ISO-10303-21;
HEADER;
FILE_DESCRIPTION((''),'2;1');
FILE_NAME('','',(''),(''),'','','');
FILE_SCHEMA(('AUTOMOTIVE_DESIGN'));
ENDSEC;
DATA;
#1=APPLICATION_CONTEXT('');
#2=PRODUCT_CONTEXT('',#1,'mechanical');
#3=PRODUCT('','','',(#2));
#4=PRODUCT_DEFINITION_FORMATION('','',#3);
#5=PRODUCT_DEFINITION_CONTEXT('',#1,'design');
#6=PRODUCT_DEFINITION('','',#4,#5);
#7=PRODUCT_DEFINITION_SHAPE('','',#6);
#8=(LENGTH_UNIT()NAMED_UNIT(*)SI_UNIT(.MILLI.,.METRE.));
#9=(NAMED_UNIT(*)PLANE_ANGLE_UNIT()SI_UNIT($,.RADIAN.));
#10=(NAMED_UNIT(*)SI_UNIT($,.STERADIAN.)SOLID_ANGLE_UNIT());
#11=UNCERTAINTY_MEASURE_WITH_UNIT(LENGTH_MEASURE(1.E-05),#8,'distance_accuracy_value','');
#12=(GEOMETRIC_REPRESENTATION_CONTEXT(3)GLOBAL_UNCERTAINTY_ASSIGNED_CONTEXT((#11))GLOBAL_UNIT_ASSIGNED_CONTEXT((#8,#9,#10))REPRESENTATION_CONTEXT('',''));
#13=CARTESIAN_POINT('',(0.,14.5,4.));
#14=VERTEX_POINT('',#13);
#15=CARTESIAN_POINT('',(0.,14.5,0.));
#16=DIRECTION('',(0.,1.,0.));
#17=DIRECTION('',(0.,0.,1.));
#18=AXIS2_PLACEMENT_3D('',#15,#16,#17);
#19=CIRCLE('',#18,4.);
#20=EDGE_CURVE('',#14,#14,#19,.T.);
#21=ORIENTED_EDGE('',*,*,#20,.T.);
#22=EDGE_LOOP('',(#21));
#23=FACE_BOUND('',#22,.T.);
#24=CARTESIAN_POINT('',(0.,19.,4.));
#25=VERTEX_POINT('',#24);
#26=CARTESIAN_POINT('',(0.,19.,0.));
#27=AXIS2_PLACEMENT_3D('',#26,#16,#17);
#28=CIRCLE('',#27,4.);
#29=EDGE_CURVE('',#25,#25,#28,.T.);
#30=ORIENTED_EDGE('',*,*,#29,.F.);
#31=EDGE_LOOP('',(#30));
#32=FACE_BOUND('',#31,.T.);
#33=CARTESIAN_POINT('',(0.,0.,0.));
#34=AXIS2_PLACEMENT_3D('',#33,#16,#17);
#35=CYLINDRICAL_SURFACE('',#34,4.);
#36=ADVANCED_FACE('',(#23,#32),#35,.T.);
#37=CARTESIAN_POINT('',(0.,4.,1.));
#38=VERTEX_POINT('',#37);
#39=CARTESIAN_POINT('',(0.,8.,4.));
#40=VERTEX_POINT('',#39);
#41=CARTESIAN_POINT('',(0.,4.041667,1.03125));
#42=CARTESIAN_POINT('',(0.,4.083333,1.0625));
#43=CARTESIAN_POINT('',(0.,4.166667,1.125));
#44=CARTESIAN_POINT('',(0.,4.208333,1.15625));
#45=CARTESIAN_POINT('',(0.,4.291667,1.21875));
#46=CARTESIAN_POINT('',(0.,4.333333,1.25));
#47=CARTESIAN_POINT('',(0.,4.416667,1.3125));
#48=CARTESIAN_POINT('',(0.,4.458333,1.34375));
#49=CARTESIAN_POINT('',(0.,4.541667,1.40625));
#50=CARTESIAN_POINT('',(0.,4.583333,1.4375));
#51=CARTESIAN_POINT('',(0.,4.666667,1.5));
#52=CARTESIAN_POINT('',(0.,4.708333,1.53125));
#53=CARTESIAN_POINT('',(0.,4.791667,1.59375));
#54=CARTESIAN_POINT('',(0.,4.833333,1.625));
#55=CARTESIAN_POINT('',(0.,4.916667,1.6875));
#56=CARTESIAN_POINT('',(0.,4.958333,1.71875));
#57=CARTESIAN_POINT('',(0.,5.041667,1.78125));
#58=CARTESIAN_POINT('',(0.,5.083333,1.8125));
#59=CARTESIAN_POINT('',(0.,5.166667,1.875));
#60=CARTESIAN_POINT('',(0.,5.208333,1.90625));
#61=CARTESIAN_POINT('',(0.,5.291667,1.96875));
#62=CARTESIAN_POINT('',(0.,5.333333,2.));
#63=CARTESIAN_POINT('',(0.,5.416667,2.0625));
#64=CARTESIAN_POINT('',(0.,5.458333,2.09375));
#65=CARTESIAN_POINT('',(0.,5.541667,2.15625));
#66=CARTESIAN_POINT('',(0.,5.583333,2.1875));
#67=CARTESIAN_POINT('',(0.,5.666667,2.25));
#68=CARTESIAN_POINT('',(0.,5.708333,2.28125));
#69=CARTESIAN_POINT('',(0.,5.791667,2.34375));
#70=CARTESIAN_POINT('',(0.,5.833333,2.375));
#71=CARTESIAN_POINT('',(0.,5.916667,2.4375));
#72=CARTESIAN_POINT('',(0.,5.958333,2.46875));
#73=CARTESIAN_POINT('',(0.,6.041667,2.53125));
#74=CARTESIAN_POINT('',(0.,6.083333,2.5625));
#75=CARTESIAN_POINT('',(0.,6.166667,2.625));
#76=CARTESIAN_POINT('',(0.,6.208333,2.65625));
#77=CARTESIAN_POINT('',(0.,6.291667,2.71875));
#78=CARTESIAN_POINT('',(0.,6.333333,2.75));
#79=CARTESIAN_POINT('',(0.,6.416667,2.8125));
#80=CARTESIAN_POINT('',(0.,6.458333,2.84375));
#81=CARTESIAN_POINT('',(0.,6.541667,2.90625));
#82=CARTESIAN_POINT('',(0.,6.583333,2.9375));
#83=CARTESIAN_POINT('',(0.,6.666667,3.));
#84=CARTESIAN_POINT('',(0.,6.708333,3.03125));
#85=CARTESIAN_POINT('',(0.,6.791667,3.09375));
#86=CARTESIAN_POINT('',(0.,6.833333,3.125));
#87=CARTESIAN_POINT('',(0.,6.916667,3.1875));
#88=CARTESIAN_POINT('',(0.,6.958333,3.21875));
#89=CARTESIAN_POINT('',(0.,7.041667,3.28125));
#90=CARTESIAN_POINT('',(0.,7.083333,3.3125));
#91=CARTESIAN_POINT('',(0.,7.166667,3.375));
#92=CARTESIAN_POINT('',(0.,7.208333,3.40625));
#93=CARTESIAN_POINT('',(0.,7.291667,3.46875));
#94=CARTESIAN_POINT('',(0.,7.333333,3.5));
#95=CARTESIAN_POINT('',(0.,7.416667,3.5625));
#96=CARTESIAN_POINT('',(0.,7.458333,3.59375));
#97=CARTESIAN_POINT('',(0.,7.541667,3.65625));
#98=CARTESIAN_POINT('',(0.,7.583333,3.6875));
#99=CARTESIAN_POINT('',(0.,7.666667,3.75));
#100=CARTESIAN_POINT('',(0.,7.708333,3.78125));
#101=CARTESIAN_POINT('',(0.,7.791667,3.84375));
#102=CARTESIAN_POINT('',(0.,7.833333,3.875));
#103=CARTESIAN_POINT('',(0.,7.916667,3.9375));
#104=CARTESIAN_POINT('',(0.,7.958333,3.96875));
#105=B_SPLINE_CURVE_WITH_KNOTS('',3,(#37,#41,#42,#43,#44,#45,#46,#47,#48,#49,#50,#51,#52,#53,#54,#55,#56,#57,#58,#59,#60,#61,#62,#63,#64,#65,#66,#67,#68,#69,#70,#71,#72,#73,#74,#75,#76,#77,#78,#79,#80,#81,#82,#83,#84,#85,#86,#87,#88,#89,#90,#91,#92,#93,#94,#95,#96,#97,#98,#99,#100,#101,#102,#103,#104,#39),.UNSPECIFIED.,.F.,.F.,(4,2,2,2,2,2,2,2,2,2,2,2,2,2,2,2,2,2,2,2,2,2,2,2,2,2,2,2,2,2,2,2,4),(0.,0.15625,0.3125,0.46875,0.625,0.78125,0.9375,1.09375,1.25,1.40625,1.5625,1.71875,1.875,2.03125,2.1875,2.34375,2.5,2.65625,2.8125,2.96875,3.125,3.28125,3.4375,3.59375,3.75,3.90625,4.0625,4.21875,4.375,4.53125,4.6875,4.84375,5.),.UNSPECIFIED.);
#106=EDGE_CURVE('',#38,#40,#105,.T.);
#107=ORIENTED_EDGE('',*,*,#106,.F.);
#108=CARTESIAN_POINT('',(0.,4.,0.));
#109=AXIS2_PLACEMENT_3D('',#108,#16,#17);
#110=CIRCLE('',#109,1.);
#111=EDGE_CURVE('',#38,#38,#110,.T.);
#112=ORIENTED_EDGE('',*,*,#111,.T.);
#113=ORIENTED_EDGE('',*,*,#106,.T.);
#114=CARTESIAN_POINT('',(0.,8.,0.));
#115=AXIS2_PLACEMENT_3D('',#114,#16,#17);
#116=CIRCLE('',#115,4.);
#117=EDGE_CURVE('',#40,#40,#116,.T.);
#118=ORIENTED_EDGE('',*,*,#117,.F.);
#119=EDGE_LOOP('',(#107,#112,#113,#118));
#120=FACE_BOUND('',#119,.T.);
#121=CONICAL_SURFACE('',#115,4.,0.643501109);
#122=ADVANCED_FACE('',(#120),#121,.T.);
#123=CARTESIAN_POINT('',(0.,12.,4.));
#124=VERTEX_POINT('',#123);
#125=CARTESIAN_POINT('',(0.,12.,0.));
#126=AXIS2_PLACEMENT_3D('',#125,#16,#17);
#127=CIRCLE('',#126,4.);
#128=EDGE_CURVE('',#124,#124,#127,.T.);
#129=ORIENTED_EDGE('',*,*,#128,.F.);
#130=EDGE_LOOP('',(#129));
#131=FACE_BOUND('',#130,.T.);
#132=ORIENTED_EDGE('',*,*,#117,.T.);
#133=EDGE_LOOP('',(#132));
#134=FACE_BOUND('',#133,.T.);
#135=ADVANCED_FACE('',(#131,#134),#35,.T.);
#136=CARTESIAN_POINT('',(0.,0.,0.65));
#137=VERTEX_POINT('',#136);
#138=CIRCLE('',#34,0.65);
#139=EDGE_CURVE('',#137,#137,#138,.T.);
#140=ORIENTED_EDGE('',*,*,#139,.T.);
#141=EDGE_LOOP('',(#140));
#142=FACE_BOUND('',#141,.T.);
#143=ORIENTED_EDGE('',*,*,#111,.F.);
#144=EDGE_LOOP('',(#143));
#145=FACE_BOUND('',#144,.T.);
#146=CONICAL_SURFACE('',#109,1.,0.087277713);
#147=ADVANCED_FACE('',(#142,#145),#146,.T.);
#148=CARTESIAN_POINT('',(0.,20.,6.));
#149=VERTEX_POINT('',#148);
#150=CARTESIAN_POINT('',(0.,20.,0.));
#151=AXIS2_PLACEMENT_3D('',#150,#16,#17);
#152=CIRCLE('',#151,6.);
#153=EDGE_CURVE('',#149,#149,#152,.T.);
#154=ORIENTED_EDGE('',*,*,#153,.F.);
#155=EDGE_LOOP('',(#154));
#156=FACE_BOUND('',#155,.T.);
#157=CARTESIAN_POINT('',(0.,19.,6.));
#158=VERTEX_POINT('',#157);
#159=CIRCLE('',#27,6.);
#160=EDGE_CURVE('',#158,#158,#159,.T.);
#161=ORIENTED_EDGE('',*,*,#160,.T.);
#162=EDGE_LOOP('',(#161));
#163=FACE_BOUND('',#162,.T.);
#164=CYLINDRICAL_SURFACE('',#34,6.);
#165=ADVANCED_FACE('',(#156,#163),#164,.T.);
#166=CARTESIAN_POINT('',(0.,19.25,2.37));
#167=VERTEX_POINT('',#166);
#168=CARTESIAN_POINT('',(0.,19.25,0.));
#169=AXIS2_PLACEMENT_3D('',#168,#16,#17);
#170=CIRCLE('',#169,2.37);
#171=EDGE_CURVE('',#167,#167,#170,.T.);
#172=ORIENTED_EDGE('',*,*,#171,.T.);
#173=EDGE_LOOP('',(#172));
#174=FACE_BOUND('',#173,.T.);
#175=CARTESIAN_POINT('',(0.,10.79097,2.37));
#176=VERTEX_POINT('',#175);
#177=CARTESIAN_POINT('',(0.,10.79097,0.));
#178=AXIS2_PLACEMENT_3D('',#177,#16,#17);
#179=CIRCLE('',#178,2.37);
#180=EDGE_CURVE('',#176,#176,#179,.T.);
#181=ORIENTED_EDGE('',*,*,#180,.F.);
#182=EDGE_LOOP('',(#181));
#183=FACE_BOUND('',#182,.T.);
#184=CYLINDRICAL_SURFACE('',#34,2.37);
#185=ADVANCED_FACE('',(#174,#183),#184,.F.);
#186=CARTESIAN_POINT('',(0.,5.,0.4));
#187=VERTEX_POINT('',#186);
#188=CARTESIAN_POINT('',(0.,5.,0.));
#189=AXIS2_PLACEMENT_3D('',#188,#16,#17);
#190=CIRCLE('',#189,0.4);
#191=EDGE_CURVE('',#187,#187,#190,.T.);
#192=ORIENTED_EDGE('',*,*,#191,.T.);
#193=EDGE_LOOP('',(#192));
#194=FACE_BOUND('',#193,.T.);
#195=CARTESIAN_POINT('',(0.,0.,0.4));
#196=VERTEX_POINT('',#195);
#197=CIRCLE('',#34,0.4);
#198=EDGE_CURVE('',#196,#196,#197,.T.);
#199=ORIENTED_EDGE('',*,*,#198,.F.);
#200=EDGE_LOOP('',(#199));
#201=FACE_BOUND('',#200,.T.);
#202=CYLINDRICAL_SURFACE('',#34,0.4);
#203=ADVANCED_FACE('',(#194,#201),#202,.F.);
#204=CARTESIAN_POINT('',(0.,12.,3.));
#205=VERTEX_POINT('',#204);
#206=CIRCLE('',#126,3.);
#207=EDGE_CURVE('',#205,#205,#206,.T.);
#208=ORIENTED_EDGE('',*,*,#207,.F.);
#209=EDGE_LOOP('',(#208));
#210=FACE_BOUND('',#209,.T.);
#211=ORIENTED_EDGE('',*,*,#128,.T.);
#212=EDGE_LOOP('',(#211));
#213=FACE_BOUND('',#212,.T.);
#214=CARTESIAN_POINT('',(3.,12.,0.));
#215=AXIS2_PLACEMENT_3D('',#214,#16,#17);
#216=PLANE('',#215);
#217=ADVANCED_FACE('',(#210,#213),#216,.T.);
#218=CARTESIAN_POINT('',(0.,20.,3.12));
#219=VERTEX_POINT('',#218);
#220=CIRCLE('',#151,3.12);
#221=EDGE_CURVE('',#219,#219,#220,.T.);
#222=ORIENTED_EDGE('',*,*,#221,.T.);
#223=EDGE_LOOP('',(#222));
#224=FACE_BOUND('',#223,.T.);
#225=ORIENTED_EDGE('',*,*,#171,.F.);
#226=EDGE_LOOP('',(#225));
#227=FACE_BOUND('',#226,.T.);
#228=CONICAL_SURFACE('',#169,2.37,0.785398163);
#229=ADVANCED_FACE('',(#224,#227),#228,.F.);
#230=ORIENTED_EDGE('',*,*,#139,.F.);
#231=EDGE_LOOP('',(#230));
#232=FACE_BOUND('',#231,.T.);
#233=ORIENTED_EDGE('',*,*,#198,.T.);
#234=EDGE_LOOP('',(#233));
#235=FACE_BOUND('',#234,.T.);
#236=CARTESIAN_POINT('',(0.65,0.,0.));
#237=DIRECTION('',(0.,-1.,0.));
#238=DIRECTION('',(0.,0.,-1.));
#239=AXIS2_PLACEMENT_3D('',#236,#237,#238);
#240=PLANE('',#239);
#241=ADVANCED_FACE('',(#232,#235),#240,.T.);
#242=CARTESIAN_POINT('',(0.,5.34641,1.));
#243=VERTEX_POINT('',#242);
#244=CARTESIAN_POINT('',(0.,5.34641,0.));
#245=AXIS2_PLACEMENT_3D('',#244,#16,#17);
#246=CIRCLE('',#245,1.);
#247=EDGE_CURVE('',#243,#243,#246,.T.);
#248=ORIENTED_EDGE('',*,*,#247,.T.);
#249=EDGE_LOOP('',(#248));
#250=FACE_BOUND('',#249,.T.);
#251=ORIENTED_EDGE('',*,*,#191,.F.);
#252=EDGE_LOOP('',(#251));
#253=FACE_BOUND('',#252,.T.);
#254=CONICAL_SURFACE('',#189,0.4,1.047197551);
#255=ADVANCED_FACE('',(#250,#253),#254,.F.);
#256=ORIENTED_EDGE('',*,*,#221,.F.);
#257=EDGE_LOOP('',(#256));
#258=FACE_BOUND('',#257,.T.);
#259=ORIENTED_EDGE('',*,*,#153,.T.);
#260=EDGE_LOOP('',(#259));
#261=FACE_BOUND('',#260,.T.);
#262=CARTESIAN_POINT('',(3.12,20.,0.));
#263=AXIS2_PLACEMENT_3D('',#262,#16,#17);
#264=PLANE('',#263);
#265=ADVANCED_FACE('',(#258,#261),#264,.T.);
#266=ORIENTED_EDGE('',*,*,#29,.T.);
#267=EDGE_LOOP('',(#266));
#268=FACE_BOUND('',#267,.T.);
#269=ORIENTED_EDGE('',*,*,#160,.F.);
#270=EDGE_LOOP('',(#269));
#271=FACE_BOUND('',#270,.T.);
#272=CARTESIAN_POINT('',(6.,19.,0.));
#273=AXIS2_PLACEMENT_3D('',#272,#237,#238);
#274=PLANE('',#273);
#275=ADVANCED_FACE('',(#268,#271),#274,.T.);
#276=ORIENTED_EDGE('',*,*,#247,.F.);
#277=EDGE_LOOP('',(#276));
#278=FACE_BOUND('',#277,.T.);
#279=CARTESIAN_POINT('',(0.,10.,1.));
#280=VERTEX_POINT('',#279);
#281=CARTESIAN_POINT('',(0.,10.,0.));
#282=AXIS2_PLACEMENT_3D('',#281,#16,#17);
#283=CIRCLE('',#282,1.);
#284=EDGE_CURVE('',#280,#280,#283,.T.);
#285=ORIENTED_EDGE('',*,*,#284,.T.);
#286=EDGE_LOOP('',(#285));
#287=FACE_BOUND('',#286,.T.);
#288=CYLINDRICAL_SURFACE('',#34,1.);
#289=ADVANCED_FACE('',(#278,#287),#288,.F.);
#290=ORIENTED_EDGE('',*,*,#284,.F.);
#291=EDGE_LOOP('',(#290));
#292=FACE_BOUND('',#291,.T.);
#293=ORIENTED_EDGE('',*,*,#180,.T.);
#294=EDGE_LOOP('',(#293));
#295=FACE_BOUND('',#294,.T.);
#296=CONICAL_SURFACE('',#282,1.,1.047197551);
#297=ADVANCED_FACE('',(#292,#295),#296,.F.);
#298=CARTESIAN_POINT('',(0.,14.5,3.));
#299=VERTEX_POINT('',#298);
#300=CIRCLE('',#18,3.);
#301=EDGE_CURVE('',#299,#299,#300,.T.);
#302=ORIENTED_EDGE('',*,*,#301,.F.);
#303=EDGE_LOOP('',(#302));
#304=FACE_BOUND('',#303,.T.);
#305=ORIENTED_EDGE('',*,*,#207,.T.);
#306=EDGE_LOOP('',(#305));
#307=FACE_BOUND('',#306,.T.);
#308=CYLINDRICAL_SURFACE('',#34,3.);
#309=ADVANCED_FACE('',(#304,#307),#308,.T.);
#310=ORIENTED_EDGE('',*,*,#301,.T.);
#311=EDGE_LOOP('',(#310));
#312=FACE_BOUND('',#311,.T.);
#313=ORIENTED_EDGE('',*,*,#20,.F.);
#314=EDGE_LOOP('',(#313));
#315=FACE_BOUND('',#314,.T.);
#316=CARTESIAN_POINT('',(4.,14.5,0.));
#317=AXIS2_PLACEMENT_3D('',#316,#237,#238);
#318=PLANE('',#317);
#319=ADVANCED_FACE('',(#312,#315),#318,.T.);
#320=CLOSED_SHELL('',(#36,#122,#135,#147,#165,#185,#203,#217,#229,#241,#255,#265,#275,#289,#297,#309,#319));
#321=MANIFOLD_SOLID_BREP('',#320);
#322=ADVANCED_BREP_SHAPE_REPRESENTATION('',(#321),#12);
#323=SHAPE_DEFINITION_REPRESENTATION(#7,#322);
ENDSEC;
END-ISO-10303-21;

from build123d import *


with BuildPart() as part:
    # Sketch1 → Revolve1 (revolve)
    with BuildSketch(Plane(origin=(0, 0, 0), x_dir=(-1, 0, 0), z_dir=(0, 0, -1)), mode=Mode.PRIVATE) as revolve1_sk:
        Polygon((-4, 12), (-4, 8), (-1, 4), (-0.65, 0), (-0.4, 0), (-0.4, 5), (-1, 5.346410161), (-1, 10), (-2.37, 10.790969869), (-2.37, 19.25), (-3.12, 20), (-6, 20), (-6, 19), (-4, 19), (-4, 14.5), (-3, 14.5), (-3, 12), align=None)
    revolve(revolve1_sk.sketch.rotate(Axis((0, 0, 0), (0, 1, 0)), 270), axis=Axis((0, 0, 0), (0, 1, 0)))


solid = part.part
